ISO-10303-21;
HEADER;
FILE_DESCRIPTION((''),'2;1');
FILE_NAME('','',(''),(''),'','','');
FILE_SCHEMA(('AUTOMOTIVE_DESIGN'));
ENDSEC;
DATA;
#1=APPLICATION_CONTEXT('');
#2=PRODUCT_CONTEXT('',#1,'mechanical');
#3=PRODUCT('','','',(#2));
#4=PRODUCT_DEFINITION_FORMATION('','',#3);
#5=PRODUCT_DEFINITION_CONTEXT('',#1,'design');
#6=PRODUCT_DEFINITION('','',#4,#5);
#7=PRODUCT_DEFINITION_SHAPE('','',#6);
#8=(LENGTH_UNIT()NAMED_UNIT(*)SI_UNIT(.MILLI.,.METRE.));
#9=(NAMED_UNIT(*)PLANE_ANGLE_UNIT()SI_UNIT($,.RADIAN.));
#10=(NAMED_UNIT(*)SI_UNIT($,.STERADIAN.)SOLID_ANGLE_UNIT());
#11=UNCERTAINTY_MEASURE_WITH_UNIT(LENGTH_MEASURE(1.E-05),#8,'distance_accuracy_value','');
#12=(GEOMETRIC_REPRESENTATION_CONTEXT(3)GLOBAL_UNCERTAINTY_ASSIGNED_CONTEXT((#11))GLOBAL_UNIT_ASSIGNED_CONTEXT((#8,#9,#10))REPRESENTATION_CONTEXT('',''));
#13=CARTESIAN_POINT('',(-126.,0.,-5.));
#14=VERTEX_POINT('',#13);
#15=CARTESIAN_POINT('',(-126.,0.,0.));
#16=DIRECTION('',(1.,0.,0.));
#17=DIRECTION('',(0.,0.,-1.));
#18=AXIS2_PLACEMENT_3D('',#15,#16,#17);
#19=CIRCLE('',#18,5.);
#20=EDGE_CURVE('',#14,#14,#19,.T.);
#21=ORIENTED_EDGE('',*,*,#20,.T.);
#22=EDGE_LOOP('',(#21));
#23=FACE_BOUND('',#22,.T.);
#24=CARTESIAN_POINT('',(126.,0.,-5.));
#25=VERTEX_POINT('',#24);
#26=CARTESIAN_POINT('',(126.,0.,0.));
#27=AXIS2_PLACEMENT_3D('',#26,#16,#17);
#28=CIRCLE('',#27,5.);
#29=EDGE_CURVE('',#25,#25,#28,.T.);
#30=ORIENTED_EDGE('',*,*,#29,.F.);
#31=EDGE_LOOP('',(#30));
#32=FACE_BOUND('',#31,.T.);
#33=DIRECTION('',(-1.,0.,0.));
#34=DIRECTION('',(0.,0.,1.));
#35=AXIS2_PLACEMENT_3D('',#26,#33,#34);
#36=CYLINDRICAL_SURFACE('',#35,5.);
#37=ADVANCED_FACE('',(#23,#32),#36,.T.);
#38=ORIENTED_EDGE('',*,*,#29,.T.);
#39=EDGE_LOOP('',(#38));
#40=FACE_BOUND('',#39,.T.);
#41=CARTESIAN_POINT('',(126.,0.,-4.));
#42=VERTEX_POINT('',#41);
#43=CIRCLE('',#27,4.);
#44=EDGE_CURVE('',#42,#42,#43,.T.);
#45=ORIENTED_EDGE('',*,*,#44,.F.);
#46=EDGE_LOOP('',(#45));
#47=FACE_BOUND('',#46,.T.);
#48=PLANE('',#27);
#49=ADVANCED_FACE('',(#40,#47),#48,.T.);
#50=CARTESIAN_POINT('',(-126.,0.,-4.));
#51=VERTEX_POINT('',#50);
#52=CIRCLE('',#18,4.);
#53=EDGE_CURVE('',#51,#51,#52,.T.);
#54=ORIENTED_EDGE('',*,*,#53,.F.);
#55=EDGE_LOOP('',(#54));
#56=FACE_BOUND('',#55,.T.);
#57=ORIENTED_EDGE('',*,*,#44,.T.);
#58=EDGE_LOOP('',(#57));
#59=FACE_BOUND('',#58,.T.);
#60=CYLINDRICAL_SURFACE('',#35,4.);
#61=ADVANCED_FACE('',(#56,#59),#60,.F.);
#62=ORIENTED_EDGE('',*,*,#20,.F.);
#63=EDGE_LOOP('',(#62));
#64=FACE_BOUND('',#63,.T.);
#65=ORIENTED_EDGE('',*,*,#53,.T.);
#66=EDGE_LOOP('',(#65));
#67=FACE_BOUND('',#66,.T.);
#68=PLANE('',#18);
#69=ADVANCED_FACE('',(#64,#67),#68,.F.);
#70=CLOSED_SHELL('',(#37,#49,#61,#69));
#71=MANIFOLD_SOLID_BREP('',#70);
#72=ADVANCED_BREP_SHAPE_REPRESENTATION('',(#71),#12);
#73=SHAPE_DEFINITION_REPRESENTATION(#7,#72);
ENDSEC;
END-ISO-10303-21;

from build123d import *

# Parameters (mm, degrees)
SKETCH_1_R      = 5
SKETCH_1_R_2    = 4
EXTRUDE_1_DEPTH = 126


with BuildPart() as part:
    # 草圖1 → 填料-伸長1 (new body, symmetric)
    with BuildSketch(Plane(origin=(0, 0, 0), x_dir=(0, 0, -1), z_dir=(1, 0, 0))):
        Circle(SKETCH_1_R)
        Circle(SKETCH_1_R_2, mode=Mode.SUBTRACT)
    extrude(amount=EXTRUDE_1_DEPTH, both=True)


solid = part.part
